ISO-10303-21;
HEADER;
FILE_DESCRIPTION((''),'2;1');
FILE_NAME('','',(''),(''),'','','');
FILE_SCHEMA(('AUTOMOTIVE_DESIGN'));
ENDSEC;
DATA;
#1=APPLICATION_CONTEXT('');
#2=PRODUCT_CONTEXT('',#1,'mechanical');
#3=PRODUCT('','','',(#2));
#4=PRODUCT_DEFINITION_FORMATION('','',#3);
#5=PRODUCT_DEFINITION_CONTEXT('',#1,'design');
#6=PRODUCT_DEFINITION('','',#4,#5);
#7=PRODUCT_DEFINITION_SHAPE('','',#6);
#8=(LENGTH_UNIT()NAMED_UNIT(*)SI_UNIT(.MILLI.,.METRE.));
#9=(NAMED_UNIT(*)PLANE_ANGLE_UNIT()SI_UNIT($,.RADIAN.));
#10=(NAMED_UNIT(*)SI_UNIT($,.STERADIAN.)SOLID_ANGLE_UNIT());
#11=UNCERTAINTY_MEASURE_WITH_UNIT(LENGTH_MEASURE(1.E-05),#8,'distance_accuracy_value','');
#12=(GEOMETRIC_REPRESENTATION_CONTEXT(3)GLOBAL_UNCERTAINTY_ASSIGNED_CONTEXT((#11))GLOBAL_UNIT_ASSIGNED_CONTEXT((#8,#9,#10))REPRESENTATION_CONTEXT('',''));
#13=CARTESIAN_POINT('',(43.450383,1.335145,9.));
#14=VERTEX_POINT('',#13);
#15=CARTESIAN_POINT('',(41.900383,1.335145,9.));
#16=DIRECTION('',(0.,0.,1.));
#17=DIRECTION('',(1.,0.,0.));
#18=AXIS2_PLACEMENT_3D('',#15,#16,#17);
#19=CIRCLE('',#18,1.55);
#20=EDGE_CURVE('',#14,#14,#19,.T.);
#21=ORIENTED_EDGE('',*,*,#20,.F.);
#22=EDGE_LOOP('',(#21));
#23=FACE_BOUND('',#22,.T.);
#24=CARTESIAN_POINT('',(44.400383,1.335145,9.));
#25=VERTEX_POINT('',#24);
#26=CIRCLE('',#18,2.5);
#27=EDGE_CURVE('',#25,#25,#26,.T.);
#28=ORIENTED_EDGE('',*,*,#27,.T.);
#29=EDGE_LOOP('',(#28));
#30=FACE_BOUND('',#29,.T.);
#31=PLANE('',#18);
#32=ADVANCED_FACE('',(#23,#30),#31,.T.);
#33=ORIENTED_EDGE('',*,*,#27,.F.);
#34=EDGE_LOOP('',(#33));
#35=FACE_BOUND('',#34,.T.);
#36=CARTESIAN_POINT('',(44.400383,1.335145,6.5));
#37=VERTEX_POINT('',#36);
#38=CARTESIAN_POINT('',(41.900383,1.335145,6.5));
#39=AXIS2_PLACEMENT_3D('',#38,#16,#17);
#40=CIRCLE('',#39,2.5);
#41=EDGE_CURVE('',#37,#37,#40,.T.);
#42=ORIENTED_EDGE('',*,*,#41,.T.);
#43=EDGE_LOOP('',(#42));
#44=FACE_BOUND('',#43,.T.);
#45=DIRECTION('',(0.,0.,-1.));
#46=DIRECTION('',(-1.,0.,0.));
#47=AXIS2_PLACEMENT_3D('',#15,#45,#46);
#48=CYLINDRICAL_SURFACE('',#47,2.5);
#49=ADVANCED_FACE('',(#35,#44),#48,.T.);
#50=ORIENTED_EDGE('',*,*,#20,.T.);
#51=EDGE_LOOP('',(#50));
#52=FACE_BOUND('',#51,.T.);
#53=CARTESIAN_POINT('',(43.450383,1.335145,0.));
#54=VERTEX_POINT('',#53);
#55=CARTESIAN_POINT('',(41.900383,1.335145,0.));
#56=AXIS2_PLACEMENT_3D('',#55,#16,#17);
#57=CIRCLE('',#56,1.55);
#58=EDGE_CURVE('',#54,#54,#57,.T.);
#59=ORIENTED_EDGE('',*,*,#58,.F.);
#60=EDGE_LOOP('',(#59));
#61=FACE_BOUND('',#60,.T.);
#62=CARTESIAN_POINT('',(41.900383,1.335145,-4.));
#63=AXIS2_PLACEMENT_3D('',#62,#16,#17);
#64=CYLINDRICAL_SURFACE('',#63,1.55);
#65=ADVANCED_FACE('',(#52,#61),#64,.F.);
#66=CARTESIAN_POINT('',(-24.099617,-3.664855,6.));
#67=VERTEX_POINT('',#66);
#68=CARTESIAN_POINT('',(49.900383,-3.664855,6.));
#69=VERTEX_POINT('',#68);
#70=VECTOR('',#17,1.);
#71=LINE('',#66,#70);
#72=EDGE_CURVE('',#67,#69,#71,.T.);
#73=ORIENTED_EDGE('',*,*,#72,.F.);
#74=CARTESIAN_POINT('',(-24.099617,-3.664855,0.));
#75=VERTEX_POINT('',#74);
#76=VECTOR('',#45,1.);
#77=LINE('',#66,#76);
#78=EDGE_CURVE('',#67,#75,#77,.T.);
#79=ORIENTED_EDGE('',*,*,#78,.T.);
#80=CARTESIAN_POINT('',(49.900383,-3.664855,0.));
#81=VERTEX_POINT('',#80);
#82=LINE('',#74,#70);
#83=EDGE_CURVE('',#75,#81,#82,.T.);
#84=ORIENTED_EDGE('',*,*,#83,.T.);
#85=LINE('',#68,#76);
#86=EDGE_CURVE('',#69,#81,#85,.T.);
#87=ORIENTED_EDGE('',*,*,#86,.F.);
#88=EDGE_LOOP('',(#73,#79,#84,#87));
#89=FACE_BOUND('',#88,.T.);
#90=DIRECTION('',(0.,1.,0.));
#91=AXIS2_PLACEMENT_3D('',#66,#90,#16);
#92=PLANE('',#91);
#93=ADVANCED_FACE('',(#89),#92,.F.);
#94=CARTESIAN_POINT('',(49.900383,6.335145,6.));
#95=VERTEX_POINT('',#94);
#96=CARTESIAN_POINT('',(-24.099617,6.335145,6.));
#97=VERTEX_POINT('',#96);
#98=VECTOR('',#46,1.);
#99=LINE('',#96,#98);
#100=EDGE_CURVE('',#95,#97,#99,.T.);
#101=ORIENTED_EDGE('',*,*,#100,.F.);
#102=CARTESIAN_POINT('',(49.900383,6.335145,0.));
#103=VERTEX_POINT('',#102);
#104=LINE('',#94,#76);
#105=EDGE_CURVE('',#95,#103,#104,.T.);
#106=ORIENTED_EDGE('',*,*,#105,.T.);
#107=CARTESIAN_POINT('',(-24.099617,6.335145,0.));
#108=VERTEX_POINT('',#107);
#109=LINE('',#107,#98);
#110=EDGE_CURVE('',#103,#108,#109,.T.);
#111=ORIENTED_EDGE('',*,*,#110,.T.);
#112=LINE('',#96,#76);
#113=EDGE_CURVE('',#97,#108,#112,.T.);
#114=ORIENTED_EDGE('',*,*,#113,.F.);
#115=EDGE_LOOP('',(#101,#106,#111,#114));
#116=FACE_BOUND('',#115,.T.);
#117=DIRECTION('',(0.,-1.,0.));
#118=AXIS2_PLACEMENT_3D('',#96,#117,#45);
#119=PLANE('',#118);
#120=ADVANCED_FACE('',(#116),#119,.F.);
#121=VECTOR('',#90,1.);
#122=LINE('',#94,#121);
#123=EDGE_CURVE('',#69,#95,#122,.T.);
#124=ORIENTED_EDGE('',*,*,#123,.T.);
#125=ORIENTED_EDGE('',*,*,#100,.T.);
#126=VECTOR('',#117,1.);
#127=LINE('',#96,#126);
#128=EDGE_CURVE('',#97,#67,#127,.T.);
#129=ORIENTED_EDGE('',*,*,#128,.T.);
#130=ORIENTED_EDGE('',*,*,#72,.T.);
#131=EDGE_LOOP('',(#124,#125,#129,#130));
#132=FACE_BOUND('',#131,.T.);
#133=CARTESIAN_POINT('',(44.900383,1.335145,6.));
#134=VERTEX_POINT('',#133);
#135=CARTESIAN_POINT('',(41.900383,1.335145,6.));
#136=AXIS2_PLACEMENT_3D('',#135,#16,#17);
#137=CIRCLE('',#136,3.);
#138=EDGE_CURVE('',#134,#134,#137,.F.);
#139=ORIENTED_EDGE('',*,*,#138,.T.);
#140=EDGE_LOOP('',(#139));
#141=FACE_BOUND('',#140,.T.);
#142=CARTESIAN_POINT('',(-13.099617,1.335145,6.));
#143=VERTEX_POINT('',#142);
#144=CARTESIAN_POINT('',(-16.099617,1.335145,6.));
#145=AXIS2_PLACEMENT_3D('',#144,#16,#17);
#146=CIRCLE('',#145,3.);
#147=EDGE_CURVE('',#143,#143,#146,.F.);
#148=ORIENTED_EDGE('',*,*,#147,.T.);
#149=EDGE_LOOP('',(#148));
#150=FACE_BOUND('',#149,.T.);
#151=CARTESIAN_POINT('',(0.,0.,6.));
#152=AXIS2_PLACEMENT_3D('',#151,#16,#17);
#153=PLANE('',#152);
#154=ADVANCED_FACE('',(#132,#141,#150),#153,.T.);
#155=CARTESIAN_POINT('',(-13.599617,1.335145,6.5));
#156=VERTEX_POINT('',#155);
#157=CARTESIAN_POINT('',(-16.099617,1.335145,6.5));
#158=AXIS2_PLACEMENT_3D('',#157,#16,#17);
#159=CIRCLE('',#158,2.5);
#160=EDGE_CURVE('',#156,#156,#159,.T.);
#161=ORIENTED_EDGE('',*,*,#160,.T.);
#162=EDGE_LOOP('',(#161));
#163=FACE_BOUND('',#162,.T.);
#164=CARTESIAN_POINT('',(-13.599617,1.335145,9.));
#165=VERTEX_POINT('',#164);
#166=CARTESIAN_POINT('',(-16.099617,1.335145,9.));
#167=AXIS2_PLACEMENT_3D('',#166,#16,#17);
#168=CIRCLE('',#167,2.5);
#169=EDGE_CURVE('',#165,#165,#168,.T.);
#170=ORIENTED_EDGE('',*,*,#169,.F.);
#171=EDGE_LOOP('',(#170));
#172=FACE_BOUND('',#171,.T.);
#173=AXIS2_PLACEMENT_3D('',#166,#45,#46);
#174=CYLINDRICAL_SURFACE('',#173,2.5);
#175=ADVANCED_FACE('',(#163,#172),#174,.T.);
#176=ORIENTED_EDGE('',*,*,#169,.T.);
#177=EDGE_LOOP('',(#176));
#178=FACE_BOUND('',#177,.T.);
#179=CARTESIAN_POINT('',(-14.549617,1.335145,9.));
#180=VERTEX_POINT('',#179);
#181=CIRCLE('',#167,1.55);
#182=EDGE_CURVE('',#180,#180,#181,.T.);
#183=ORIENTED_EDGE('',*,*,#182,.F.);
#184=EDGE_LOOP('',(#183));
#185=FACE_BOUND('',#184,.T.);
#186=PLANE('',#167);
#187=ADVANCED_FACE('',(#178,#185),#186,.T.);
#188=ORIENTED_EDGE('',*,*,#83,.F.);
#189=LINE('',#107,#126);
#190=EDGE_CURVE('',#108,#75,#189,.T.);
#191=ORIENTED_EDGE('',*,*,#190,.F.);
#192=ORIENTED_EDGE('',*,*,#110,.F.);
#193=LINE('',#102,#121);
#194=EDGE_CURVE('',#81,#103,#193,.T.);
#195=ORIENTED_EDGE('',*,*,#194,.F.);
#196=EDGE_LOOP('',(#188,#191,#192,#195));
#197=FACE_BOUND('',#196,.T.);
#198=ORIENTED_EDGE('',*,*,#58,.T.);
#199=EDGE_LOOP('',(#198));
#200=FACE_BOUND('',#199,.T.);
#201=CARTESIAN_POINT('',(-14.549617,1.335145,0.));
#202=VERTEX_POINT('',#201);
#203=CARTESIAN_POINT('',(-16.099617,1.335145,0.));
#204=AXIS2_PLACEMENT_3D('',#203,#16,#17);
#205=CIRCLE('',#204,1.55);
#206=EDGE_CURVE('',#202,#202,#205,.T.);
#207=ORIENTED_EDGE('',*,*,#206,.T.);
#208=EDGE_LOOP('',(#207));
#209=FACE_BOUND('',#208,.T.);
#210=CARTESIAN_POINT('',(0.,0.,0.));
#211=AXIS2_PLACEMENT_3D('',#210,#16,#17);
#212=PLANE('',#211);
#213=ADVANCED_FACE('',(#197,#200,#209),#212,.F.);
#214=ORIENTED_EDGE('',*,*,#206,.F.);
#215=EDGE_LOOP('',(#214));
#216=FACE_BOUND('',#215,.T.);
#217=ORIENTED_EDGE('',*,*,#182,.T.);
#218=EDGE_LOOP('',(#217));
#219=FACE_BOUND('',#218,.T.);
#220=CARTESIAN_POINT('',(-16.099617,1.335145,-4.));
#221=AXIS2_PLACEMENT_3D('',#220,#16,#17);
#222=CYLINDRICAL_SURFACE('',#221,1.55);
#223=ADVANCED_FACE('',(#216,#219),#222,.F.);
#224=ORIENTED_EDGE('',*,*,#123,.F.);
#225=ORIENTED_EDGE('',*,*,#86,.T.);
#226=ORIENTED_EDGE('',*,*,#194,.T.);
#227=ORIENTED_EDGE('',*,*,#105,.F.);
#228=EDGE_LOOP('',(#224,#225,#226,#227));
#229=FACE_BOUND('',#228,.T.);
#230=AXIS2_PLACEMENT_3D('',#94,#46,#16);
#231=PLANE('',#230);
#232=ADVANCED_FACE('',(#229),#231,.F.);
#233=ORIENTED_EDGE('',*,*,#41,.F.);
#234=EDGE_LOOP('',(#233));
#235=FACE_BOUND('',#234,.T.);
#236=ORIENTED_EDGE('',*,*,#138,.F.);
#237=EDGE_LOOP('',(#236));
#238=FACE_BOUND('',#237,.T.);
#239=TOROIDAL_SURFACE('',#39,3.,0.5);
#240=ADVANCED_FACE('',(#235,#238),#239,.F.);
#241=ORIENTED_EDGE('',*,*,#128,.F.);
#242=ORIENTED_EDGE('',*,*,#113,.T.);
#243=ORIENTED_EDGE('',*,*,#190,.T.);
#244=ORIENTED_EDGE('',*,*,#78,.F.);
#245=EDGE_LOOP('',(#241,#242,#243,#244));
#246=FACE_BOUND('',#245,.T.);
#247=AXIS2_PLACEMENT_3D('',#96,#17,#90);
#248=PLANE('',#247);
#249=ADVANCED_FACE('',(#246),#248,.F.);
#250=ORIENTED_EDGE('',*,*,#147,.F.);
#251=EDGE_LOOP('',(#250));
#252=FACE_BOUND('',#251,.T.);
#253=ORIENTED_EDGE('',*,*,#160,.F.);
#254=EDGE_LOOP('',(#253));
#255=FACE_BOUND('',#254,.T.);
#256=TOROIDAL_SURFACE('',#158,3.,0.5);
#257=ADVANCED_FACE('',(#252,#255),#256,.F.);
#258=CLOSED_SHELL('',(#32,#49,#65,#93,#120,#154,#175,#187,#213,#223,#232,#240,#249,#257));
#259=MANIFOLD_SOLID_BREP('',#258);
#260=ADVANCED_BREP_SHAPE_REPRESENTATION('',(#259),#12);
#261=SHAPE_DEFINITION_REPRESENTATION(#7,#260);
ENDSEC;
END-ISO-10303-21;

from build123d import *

# Parameters (mm, degrees)
SKETCH_1_W          = 74
SKETCH_1_H          = 10
EXTRUDE_1_DEPTH     = 6
SKETCH_2_R          = 1.55
CUT_EXTRUDE_1_DEPTH = 10
SKETCH_3_R          = 2.5
SKETCH_3_R_2        = 1.55
EXTRUDE_2_DEPTH     = 3
FILLET_5_R          = 0.5
FILLET_7_R          = 0.5


with BuildPart() as part:
    # 草图1 → 凸台-拉伸1 (new body)
    with BuildSketch(Plane.XY):
        with Locations((12.900383142, 1.335145162)):
            Rectangle(SKETCH_1_W, SKETCH_1_H)
    extrude(amount=EXTRUDE_1_DEPTH)

    # 草图2 → 切除-拉伸1 (cut)
    with BuildSketch(Plane.XY.offset(6)):
        with Locations((-16.099616858, 1.335145162)):
            Circle(SKETCH_2_R)
        with Locations((41.900383142, 1.335145162)):
            Circle(SKETCH_2_R)
    extrude(amount=-CUT_EXTRUDE_1_DEPTH, mode=Mode.SUBTRACT)

    # 草图3 → 凸台-拉伸2 (add)
    with BuildSketch(Plane.XY.offset(6)):
        with Locations((-16.099616858, 1.335145162)):
            Circle(SKETCH_3_R)
        with Locations((-16.099616858, 1.335145162)):
            Circle(SKETCH_3_R_2, mode=Mode.SUBTRACT)
        with Locations((41.900383142, 1.335145162)):
            Circle(SKETCH_3_R)
        with Locations((41.900383142, 1.335145162)):
            Circle(SKETCH_3_R_2, mode=Mode.SUBTRACT)
    extrude(amount=EXTRUDE_2_DEPTH)

    # 圆角5
    fillet_5_edges = [part.edges().sort_by_distance(p)[0] for p in [
        (39.400383142, 1.335145162, 6),
    ]]
    fillet(fillet_5_edges, radius=FILLET_5_R)

    # 圆角7
    fillet_7_edges = [part.edges().sort_by_distance(p)[0] for p in [
        (-18.599616858, 1.335145162, 6),
    ]]
    fillet(fillet_7_edges, radius=FILLET_7_R)


solid = part.part
